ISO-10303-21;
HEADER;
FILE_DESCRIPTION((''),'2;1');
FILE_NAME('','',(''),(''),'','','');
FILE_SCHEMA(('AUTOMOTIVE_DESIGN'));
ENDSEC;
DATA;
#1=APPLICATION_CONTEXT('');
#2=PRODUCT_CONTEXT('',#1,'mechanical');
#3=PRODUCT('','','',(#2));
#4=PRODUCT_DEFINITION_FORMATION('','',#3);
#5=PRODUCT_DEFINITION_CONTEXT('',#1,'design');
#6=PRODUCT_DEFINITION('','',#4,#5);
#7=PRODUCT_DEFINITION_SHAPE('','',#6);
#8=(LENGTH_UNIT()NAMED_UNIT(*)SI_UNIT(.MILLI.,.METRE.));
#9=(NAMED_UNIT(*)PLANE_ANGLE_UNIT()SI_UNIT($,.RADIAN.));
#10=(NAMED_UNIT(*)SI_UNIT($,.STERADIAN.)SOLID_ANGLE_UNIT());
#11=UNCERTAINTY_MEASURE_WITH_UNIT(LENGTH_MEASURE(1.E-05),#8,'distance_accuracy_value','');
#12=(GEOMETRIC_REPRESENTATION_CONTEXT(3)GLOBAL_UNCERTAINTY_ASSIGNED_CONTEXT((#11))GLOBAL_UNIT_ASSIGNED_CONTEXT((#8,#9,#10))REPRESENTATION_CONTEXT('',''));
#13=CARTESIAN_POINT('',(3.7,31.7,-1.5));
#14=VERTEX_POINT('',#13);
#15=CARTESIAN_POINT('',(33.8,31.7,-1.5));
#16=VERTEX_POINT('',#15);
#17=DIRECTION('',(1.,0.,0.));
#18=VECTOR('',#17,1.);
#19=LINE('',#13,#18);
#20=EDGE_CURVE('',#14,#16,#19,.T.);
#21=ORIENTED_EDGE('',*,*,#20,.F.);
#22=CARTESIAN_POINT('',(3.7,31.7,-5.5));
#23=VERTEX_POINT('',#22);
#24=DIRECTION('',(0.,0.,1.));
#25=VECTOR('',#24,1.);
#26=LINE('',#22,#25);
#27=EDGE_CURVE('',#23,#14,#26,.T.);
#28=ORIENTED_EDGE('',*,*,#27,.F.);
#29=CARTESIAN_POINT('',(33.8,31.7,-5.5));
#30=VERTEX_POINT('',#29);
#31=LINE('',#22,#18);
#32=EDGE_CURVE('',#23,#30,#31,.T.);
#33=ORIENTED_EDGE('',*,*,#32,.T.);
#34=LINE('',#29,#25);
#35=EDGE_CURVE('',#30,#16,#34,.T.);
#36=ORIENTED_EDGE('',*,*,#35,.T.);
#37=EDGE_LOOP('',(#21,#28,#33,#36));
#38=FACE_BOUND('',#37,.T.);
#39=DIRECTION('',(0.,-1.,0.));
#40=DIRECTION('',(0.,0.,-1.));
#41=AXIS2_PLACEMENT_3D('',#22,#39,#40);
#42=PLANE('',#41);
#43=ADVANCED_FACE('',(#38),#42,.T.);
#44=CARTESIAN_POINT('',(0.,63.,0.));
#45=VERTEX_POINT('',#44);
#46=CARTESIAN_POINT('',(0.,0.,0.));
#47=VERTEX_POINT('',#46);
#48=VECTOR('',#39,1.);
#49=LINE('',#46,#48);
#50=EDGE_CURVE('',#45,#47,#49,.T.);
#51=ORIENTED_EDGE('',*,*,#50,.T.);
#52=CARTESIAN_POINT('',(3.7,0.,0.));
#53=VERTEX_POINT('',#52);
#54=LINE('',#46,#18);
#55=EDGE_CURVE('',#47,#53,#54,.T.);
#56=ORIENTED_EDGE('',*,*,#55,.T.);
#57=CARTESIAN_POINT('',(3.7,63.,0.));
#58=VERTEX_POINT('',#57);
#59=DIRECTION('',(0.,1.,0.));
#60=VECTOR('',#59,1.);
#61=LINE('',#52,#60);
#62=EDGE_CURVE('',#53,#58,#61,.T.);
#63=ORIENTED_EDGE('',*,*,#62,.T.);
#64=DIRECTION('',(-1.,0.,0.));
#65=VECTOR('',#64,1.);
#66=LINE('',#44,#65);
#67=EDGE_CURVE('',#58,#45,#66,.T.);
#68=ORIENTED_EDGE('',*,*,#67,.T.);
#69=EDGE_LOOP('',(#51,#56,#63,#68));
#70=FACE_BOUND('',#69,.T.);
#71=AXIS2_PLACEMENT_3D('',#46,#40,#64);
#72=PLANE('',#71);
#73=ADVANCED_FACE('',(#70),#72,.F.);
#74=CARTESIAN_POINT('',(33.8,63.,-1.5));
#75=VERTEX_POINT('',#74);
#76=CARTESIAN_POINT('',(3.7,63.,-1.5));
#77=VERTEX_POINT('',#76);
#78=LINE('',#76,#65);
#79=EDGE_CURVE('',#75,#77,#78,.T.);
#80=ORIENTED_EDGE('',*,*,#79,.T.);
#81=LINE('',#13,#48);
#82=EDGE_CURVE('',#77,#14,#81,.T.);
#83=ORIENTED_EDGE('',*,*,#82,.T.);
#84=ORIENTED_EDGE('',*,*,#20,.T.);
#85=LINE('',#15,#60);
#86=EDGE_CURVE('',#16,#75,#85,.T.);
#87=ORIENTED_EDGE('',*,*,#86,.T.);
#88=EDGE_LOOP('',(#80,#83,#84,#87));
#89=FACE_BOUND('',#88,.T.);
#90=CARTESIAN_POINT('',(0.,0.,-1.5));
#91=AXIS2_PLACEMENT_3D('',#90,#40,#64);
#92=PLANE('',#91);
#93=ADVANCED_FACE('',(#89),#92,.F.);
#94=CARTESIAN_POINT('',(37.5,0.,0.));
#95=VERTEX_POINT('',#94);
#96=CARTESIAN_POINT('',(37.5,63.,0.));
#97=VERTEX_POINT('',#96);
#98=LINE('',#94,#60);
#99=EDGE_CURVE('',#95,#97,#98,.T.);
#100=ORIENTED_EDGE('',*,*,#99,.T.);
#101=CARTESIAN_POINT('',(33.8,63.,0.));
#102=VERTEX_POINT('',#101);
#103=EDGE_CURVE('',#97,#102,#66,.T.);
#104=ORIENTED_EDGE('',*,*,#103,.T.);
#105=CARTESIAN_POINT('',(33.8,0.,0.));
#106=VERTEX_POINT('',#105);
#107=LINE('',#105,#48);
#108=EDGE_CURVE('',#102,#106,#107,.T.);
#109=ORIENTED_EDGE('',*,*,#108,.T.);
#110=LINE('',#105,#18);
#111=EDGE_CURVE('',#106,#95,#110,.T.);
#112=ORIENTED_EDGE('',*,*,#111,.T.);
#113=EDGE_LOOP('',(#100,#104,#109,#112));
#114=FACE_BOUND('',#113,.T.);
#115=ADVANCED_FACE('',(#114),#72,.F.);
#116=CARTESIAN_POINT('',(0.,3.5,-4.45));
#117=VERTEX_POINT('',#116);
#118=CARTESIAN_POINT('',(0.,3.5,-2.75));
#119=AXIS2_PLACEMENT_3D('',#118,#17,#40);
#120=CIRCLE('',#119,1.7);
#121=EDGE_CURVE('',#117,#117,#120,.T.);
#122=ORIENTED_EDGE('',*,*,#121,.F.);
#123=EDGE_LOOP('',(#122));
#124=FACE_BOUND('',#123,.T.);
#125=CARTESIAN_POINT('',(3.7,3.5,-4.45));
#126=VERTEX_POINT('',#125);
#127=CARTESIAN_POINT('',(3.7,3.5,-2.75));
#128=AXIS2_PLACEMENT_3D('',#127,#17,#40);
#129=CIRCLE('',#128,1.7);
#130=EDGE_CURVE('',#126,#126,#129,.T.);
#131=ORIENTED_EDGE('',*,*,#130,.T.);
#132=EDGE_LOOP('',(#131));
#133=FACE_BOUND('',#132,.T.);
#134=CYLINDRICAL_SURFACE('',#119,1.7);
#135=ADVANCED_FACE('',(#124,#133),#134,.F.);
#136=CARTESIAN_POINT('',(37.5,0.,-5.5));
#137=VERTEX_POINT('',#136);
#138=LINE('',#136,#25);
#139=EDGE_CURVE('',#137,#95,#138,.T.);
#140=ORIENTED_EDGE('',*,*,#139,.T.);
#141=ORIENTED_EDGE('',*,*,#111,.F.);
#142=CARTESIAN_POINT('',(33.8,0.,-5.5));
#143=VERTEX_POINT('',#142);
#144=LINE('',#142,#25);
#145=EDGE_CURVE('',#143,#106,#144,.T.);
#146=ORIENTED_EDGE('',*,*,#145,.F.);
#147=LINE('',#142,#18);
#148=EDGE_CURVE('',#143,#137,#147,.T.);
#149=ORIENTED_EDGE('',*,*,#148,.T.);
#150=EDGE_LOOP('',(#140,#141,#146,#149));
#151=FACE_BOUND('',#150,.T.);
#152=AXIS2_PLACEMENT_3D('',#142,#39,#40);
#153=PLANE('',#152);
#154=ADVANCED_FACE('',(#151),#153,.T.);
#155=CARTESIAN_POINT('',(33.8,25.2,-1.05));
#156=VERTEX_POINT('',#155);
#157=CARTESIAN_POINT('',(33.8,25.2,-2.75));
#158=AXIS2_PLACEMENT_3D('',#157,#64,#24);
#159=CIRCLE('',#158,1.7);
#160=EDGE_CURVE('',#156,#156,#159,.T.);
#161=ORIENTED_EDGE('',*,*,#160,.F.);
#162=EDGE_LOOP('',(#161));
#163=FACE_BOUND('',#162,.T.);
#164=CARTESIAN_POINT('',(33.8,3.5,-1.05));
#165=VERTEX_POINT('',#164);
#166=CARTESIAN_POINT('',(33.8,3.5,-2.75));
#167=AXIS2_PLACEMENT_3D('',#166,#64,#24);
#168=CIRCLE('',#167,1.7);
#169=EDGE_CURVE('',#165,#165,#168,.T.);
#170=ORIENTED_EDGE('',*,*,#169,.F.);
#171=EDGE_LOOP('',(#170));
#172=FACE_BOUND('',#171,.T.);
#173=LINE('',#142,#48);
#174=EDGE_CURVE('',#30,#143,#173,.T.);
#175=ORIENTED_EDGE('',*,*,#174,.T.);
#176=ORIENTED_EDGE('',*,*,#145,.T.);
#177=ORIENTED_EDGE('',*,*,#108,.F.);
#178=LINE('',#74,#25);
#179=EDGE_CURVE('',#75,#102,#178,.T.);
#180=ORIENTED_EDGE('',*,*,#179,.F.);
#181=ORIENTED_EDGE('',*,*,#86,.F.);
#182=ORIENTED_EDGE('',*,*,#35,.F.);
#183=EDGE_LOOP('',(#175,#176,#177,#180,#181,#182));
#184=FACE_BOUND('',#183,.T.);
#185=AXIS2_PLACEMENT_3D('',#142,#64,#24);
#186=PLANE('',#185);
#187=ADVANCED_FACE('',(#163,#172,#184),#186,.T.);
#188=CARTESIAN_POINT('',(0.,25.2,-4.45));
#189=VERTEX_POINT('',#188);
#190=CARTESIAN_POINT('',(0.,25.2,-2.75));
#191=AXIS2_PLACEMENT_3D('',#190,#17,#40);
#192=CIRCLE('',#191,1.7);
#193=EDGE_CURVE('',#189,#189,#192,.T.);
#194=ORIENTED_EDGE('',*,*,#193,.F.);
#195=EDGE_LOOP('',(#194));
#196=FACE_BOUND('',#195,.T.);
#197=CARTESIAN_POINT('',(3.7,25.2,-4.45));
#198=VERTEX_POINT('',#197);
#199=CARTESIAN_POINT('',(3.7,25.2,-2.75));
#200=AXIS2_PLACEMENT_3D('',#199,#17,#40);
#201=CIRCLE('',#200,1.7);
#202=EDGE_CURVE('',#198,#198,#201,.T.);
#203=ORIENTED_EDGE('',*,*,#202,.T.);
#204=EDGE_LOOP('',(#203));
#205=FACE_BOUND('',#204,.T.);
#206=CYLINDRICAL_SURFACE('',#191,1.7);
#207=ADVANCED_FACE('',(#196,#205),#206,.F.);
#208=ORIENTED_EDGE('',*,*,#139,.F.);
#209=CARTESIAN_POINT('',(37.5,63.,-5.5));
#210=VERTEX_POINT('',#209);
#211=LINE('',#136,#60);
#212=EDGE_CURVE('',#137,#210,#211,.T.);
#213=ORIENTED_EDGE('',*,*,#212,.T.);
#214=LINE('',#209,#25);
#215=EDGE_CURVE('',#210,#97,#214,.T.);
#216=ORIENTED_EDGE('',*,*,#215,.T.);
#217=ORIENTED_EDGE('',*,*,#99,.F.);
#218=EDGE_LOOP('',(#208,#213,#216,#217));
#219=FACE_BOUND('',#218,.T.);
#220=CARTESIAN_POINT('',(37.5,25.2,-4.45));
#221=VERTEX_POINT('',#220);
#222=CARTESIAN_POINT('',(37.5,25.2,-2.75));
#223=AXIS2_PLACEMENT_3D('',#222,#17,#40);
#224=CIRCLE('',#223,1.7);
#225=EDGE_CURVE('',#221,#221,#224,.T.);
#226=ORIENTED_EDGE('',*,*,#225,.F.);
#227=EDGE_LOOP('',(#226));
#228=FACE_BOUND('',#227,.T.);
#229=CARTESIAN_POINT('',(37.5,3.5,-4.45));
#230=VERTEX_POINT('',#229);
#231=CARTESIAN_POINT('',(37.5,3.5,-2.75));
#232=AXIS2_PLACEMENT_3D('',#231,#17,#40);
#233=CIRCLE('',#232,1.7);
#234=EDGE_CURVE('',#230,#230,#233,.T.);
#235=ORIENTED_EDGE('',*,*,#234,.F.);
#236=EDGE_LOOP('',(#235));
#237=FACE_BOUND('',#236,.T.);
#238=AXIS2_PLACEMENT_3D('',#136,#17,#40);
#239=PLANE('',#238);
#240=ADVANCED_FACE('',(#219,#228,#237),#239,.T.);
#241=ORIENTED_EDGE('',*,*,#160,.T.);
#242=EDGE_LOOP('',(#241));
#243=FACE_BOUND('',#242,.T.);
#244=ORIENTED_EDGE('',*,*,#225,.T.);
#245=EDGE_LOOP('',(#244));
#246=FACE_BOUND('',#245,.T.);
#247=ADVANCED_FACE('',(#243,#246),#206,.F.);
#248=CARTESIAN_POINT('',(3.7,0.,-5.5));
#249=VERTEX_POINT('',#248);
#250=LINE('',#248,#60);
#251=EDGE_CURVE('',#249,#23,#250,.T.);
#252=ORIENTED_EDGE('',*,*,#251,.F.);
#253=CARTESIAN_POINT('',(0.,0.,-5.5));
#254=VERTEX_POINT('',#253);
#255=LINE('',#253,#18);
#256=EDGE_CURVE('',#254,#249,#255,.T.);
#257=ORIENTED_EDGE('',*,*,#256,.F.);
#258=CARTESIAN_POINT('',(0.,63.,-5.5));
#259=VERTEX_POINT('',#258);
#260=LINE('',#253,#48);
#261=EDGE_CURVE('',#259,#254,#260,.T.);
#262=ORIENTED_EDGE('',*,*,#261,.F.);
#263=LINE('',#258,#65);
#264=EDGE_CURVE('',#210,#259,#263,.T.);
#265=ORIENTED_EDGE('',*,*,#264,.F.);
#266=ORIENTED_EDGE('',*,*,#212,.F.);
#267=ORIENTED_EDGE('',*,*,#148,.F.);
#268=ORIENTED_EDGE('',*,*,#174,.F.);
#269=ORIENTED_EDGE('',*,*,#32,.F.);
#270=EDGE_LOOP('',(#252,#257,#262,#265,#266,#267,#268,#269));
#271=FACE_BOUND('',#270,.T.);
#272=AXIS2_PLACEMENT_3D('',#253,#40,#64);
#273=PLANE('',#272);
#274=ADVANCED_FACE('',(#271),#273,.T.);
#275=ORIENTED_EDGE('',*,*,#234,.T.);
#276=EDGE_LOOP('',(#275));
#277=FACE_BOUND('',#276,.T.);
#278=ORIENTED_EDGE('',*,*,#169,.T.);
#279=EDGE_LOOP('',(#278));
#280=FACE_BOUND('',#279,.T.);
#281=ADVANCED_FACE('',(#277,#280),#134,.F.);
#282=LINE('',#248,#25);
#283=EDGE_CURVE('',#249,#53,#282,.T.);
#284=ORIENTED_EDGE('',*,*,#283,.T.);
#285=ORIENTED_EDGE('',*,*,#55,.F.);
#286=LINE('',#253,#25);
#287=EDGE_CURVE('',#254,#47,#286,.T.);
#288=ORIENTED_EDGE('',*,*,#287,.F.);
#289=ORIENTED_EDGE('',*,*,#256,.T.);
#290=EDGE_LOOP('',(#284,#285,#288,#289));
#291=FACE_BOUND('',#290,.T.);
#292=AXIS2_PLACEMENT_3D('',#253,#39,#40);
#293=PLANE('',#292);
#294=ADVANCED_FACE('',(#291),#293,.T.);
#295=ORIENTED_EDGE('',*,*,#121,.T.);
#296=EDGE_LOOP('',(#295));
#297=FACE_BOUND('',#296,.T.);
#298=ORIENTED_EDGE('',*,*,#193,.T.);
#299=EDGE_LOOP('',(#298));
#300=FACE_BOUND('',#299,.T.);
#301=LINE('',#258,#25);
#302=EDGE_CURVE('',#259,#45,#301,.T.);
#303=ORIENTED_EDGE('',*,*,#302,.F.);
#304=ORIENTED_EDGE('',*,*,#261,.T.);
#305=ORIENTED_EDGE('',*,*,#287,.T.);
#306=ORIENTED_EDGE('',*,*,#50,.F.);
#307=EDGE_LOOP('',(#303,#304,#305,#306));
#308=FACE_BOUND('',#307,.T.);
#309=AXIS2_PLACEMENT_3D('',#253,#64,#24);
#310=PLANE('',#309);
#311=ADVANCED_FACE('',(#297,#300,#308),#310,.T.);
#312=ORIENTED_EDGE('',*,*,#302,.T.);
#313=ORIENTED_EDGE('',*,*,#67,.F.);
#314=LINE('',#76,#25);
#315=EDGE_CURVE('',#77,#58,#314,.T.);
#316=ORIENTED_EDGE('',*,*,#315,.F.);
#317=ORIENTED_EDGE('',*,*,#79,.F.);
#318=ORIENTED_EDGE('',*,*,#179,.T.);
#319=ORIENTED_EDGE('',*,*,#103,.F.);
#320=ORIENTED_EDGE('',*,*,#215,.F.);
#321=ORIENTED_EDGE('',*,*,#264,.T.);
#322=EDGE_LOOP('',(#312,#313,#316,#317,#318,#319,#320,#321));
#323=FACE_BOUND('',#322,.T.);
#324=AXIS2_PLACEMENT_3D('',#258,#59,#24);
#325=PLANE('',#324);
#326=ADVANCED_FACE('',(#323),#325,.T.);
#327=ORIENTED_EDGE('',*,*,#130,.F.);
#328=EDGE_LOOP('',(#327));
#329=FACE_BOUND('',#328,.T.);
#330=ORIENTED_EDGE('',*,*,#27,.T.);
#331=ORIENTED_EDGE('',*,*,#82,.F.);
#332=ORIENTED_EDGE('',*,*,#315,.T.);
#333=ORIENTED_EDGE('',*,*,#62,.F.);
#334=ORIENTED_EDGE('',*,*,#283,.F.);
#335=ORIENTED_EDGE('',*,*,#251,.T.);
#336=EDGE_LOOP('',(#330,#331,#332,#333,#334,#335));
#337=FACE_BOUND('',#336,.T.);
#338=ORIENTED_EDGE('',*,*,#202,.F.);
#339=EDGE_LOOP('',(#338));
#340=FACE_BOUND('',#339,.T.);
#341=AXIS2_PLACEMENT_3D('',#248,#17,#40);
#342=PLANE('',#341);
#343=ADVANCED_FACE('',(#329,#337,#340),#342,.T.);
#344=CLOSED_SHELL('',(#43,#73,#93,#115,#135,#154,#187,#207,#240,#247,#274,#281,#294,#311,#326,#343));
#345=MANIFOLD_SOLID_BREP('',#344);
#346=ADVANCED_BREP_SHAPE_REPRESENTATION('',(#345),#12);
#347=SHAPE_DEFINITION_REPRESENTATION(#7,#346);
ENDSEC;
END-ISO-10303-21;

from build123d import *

# Parameters (mm, degrees)
BOSS_EXTRUDE1_DEPTH = 5.5
SKETCH2_W           = 30.1
SKETCH2_H           = 31.3
CUT_EXTRUDE1_DEPTH  = 1.5
SKETCH3_R           = 1.7
CUT_EXTRUDE2_DEPTH  = 38.5


with BuildPart() as part:
    # Sketch1 → Boss-Extrude1 (new body)
    with BuildSketch(Plane.XY):
        Polygon((33.8, 0), (37.5, 0), (37.5, 63), (0, 63), (0, 0), (3.7, 0), (3.7, 31.7), (33.8, 31.7), align=None)
    extrude(amount=-BOSS_EXTRUDE1_DEPTH)

    # Sketch2 → Cut-Extrude1 (cut)
    with BuildSketch(Plane.XY):
        with Locations((18.75, 47.35)):
            Rectangle(SKETCH2_W, SKETCH2_H)
    extrude(amount=-CUT_EXTRUDE1_DEPTH, mode=Mode.SUBTRACT)

    # Sketch3 → Cut-Extrude2 (cut, through all)
    with BuildSketch(Plane(origin=(37.5, 0, 0), x_dir=(0, 0, -1), z_dir=(1, 0, 0))):
        with Locations((2.75, 3.5)):
            Circle(SKETCH3_R)
        with Locations((2.75, 25.2)):
            Circle(SKETCH3_R)
    extrude(amount=-CUT_EXTRUDE2_DEPTH, mode=Mode.SUBTRACT)


solid = part.part
